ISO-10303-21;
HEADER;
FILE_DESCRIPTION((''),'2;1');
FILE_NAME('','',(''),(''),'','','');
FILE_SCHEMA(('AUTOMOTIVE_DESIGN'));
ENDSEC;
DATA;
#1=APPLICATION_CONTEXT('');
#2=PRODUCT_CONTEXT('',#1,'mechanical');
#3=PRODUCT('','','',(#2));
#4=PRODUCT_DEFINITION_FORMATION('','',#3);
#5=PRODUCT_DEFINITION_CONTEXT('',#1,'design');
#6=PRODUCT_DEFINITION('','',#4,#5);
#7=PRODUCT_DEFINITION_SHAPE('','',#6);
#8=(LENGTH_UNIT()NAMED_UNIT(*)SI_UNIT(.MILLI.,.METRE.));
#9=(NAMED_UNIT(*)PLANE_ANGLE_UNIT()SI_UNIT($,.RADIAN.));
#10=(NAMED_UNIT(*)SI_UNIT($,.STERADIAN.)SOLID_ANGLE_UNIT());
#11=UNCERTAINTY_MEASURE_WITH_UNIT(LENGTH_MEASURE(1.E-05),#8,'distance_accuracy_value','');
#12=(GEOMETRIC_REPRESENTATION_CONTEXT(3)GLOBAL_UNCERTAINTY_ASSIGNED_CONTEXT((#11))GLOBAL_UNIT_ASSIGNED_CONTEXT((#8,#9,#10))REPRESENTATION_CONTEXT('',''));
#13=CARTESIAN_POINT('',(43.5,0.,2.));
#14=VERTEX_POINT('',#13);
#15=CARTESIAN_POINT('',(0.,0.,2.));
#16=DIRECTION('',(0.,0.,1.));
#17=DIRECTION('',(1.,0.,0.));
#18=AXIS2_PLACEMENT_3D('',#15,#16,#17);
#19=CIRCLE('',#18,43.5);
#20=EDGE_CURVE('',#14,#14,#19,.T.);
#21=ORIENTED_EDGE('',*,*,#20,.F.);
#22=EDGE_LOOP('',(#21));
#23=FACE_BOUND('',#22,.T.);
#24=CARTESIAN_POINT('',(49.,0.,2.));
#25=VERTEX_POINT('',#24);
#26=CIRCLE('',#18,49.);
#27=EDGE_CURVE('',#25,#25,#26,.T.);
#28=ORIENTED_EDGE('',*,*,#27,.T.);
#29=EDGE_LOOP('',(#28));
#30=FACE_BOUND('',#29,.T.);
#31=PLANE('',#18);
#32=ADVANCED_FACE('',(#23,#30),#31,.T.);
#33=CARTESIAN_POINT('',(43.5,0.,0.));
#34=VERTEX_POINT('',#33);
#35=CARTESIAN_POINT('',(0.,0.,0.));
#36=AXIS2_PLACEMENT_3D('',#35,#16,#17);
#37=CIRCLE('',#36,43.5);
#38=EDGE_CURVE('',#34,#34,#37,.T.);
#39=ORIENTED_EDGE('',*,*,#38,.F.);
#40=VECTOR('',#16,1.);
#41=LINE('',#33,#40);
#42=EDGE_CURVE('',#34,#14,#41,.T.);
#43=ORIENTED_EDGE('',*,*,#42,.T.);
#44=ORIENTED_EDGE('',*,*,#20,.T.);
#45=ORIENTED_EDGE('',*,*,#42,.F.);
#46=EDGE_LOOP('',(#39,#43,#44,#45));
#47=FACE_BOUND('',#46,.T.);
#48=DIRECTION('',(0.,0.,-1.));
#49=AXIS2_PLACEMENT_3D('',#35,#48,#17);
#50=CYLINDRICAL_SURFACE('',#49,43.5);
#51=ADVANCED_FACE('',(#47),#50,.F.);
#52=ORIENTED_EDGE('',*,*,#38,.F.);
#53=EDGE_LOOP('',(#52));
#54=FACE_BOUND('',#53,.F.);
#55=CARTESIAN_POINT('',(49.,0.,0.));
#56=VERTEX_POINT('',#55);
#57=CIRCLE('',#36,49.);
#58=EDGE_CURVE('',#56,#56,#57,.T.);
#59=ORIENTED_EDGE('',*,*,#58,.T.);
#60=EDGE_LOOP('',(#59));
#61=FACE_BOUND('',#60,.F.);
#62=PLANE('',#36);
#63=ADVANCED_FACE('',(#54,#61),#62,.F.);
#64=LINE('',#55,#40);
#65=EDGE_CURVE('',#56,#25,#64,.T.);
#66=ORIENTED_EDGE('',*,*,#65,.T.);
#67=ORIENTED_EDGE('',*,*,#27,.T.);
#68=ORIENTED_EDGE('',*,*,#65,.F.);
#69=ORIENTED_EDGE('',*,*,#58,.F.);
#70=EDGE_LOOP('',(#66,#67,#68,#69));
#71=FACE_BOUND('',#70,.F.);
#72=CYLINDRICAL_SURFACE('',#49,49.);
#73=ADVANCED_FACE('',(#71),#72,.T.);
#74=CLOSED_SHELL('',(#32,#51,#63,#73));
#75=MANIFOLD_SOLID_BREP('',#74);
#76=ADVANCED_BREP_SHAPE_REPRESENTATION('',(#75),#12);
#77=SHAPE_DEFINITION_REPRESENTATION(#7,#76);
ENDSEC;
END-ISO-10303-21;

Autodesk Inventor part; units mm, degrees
ref_plane "YZ Plane" through (0, 0, 0) normal (1, 0, 0) x (0, 1, 0)
ref_plane "XZ Plane" through (0, 0, 0) normal (0, 1, 0) x (-1, 0, 0)
ref_plane "XY Plane" through (0, 0, 0) normal (0, 0, 1) x (1, 0, 0)
sketch "Boceto1" plane through (0, 0, 0) normal (0, 0, 1) x (1, 0, 0)
  circle A0 centre (0, 0) radius 49
  circle A1 centre (0, 0) radius 43.5
  dimension "d0" = 98
  dimension "d1" = 87
extrude "Extrusión1" add sketch "Boceto1" along normal blind 2
properties part number "lamp_holder_plate_v1"
